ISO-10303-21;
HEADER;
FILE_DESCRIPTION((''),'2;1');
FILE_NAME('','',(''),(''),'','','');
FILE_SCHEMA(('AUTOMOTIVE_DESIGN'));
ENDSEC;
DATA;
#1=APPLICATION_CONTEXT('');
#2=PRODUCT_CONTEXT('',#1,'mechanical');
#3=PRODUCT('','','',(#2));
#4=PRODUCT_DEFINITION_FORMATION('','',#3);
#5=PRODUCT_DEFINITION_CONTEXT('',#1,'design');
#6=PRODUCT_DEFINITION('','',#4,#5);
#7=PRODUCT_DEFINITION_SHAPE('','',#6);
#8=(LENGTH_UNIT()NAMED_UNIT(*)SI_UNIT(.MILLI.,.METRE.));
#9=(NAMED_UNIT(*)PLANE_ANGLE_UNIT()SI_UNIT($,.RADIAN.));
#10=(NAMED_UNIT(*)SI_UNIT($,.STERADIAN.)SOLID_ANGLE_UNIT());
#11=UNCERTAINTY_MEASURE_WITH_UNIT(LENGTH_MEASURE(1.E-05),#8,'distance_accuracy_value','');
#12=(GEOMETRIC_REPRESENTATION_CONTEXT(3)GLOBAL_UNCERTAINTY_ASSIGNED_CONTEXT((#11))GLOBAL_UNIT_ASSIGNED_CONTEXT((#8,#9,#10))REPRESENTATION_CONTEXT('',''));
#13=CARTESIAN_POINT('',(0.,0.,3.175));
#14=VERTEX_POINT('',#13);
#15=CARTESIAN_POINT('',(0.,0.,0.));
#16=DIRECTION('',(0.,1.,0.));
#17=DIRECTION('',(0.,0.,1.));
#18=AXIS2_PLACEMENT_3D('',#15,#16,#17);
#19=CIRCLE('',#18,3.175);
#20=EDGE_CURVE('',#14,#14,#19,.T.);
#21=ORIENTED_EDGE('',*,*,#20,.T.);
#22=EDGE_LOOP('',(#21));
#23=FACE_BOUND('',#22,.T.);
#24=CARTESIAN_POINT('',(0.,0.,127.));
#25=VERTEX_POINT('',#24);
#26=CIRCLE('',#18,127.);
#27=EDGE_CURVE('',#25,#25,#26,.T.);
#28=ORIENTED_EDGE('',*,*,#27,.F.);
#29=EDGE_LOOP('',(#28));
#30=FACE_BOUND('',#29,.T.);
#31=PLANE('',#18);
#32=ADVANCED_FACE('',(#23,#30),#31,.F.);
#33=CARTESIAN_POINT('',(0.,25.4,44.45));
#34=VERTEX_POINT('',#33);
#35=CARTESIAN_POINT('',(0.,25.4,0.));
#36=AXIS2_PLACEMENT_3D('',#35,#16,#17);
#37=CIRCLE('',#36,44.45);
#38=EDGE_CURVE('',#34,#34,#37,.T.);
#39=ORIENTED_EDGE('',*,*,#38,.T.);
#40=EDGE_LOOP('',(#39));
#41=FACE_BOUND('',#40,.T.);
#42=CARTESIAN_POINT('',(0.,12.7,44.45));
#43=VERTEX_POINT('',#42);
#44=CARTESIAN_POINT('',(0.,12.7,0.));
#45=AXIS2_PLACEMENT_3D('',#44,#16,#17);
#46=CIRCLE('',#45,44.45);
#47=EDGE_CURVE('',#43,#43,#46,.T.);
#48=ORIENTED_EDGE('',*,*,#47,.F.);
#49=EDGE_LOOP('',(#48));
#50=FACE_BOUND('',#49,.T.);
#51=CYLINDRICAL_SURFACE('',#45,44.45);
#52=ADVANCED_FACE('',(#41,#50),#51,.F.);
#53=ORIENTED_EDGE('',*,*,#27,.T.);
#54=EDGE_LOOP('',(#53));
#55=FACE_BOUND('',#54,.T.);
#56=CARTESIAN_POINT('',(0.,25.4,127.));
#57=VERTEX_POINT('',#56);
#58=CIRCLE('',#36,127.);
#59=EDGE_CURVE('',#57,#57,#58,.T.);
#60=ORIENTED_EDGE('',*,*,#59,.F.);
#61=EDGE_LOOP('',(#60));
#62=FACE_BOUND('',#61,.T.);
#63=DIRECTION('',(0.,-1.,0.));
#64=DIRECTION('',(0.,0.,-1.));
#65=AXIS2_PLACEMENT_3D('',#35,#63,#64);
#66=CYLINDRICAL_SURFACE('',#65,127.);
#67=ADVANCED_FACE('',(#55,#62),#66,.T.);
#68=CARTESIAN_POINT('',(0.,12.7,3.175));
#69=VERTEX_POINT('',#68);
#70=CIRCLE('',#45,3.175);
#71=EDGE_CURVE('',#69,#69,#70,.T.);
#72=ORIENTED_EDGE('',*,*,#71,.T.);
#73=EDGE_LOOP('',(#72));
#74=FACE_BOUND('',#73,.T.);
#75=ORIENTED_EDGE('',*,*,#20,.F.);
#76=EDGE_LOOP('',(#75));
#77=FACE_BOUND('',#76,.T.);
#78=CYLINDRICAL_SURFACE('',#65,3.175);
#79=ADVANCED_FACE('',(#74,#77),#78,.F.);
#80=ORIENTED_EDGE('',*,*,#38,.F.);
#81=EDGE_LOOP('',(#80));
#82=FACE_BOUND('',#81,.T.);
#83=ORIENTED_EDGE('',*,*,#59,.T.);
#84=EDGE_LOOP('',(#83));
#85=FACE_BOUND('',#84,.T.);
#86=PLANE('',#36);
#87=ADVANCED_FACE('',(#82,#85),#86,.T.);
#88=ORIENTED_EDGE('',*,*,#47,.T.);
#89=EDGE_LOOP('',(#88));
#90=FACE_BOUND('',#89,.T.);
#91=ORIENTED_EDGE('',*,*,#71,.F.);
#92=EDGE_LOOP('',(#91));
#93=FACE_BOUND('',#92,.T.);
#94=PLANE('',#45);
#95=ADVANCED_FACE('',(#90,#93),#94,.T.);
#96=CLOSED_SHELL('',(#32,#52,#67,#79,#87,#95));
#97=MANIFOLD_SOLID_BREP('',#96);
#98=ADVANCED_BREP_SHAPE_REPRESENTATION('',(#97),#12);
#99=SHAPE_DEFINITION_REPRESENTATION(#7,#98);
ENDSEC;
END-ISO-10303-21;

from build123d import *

# Parameters (mm, degrees)
SKETCH1_R           = 127
SKETCH1_R_2         = 3.175
BOSS_EXTRUDE1_DEPTH = 25.4
SKETCH3_R           = 44.45
CUT_EXTRUDE1_DEPTH  = 12.7


with BuildPart() as part:
    # Sketch1 → Boss-Extrude1 (new body)
    with BuildSketch(Plane(origin=(0, 0, 0), x_dir=(1, 0, 0), z_dir=(0, 1, 0))):
        Circle(SKETCH1_R)
        Circle(SKETCH1_R_2, mode=Mode.SUBTRACT)
    extrude(amount=BOSS_EXTRUDE1_DEPTH)

    # Sketch3 → Cut-Extrude1 (cut)
    with BuildSketch(Plane(origin=(0, 25.4, 0), x_dir=(1, 0, 0), z_dir=(0, 1, 0))):
        Circle(SKETCH3_R)
    extrude(amount=-CUT_EXTRUDE1_DEPTH, mode=Mode.SUBTRACT)


solid = part.part
